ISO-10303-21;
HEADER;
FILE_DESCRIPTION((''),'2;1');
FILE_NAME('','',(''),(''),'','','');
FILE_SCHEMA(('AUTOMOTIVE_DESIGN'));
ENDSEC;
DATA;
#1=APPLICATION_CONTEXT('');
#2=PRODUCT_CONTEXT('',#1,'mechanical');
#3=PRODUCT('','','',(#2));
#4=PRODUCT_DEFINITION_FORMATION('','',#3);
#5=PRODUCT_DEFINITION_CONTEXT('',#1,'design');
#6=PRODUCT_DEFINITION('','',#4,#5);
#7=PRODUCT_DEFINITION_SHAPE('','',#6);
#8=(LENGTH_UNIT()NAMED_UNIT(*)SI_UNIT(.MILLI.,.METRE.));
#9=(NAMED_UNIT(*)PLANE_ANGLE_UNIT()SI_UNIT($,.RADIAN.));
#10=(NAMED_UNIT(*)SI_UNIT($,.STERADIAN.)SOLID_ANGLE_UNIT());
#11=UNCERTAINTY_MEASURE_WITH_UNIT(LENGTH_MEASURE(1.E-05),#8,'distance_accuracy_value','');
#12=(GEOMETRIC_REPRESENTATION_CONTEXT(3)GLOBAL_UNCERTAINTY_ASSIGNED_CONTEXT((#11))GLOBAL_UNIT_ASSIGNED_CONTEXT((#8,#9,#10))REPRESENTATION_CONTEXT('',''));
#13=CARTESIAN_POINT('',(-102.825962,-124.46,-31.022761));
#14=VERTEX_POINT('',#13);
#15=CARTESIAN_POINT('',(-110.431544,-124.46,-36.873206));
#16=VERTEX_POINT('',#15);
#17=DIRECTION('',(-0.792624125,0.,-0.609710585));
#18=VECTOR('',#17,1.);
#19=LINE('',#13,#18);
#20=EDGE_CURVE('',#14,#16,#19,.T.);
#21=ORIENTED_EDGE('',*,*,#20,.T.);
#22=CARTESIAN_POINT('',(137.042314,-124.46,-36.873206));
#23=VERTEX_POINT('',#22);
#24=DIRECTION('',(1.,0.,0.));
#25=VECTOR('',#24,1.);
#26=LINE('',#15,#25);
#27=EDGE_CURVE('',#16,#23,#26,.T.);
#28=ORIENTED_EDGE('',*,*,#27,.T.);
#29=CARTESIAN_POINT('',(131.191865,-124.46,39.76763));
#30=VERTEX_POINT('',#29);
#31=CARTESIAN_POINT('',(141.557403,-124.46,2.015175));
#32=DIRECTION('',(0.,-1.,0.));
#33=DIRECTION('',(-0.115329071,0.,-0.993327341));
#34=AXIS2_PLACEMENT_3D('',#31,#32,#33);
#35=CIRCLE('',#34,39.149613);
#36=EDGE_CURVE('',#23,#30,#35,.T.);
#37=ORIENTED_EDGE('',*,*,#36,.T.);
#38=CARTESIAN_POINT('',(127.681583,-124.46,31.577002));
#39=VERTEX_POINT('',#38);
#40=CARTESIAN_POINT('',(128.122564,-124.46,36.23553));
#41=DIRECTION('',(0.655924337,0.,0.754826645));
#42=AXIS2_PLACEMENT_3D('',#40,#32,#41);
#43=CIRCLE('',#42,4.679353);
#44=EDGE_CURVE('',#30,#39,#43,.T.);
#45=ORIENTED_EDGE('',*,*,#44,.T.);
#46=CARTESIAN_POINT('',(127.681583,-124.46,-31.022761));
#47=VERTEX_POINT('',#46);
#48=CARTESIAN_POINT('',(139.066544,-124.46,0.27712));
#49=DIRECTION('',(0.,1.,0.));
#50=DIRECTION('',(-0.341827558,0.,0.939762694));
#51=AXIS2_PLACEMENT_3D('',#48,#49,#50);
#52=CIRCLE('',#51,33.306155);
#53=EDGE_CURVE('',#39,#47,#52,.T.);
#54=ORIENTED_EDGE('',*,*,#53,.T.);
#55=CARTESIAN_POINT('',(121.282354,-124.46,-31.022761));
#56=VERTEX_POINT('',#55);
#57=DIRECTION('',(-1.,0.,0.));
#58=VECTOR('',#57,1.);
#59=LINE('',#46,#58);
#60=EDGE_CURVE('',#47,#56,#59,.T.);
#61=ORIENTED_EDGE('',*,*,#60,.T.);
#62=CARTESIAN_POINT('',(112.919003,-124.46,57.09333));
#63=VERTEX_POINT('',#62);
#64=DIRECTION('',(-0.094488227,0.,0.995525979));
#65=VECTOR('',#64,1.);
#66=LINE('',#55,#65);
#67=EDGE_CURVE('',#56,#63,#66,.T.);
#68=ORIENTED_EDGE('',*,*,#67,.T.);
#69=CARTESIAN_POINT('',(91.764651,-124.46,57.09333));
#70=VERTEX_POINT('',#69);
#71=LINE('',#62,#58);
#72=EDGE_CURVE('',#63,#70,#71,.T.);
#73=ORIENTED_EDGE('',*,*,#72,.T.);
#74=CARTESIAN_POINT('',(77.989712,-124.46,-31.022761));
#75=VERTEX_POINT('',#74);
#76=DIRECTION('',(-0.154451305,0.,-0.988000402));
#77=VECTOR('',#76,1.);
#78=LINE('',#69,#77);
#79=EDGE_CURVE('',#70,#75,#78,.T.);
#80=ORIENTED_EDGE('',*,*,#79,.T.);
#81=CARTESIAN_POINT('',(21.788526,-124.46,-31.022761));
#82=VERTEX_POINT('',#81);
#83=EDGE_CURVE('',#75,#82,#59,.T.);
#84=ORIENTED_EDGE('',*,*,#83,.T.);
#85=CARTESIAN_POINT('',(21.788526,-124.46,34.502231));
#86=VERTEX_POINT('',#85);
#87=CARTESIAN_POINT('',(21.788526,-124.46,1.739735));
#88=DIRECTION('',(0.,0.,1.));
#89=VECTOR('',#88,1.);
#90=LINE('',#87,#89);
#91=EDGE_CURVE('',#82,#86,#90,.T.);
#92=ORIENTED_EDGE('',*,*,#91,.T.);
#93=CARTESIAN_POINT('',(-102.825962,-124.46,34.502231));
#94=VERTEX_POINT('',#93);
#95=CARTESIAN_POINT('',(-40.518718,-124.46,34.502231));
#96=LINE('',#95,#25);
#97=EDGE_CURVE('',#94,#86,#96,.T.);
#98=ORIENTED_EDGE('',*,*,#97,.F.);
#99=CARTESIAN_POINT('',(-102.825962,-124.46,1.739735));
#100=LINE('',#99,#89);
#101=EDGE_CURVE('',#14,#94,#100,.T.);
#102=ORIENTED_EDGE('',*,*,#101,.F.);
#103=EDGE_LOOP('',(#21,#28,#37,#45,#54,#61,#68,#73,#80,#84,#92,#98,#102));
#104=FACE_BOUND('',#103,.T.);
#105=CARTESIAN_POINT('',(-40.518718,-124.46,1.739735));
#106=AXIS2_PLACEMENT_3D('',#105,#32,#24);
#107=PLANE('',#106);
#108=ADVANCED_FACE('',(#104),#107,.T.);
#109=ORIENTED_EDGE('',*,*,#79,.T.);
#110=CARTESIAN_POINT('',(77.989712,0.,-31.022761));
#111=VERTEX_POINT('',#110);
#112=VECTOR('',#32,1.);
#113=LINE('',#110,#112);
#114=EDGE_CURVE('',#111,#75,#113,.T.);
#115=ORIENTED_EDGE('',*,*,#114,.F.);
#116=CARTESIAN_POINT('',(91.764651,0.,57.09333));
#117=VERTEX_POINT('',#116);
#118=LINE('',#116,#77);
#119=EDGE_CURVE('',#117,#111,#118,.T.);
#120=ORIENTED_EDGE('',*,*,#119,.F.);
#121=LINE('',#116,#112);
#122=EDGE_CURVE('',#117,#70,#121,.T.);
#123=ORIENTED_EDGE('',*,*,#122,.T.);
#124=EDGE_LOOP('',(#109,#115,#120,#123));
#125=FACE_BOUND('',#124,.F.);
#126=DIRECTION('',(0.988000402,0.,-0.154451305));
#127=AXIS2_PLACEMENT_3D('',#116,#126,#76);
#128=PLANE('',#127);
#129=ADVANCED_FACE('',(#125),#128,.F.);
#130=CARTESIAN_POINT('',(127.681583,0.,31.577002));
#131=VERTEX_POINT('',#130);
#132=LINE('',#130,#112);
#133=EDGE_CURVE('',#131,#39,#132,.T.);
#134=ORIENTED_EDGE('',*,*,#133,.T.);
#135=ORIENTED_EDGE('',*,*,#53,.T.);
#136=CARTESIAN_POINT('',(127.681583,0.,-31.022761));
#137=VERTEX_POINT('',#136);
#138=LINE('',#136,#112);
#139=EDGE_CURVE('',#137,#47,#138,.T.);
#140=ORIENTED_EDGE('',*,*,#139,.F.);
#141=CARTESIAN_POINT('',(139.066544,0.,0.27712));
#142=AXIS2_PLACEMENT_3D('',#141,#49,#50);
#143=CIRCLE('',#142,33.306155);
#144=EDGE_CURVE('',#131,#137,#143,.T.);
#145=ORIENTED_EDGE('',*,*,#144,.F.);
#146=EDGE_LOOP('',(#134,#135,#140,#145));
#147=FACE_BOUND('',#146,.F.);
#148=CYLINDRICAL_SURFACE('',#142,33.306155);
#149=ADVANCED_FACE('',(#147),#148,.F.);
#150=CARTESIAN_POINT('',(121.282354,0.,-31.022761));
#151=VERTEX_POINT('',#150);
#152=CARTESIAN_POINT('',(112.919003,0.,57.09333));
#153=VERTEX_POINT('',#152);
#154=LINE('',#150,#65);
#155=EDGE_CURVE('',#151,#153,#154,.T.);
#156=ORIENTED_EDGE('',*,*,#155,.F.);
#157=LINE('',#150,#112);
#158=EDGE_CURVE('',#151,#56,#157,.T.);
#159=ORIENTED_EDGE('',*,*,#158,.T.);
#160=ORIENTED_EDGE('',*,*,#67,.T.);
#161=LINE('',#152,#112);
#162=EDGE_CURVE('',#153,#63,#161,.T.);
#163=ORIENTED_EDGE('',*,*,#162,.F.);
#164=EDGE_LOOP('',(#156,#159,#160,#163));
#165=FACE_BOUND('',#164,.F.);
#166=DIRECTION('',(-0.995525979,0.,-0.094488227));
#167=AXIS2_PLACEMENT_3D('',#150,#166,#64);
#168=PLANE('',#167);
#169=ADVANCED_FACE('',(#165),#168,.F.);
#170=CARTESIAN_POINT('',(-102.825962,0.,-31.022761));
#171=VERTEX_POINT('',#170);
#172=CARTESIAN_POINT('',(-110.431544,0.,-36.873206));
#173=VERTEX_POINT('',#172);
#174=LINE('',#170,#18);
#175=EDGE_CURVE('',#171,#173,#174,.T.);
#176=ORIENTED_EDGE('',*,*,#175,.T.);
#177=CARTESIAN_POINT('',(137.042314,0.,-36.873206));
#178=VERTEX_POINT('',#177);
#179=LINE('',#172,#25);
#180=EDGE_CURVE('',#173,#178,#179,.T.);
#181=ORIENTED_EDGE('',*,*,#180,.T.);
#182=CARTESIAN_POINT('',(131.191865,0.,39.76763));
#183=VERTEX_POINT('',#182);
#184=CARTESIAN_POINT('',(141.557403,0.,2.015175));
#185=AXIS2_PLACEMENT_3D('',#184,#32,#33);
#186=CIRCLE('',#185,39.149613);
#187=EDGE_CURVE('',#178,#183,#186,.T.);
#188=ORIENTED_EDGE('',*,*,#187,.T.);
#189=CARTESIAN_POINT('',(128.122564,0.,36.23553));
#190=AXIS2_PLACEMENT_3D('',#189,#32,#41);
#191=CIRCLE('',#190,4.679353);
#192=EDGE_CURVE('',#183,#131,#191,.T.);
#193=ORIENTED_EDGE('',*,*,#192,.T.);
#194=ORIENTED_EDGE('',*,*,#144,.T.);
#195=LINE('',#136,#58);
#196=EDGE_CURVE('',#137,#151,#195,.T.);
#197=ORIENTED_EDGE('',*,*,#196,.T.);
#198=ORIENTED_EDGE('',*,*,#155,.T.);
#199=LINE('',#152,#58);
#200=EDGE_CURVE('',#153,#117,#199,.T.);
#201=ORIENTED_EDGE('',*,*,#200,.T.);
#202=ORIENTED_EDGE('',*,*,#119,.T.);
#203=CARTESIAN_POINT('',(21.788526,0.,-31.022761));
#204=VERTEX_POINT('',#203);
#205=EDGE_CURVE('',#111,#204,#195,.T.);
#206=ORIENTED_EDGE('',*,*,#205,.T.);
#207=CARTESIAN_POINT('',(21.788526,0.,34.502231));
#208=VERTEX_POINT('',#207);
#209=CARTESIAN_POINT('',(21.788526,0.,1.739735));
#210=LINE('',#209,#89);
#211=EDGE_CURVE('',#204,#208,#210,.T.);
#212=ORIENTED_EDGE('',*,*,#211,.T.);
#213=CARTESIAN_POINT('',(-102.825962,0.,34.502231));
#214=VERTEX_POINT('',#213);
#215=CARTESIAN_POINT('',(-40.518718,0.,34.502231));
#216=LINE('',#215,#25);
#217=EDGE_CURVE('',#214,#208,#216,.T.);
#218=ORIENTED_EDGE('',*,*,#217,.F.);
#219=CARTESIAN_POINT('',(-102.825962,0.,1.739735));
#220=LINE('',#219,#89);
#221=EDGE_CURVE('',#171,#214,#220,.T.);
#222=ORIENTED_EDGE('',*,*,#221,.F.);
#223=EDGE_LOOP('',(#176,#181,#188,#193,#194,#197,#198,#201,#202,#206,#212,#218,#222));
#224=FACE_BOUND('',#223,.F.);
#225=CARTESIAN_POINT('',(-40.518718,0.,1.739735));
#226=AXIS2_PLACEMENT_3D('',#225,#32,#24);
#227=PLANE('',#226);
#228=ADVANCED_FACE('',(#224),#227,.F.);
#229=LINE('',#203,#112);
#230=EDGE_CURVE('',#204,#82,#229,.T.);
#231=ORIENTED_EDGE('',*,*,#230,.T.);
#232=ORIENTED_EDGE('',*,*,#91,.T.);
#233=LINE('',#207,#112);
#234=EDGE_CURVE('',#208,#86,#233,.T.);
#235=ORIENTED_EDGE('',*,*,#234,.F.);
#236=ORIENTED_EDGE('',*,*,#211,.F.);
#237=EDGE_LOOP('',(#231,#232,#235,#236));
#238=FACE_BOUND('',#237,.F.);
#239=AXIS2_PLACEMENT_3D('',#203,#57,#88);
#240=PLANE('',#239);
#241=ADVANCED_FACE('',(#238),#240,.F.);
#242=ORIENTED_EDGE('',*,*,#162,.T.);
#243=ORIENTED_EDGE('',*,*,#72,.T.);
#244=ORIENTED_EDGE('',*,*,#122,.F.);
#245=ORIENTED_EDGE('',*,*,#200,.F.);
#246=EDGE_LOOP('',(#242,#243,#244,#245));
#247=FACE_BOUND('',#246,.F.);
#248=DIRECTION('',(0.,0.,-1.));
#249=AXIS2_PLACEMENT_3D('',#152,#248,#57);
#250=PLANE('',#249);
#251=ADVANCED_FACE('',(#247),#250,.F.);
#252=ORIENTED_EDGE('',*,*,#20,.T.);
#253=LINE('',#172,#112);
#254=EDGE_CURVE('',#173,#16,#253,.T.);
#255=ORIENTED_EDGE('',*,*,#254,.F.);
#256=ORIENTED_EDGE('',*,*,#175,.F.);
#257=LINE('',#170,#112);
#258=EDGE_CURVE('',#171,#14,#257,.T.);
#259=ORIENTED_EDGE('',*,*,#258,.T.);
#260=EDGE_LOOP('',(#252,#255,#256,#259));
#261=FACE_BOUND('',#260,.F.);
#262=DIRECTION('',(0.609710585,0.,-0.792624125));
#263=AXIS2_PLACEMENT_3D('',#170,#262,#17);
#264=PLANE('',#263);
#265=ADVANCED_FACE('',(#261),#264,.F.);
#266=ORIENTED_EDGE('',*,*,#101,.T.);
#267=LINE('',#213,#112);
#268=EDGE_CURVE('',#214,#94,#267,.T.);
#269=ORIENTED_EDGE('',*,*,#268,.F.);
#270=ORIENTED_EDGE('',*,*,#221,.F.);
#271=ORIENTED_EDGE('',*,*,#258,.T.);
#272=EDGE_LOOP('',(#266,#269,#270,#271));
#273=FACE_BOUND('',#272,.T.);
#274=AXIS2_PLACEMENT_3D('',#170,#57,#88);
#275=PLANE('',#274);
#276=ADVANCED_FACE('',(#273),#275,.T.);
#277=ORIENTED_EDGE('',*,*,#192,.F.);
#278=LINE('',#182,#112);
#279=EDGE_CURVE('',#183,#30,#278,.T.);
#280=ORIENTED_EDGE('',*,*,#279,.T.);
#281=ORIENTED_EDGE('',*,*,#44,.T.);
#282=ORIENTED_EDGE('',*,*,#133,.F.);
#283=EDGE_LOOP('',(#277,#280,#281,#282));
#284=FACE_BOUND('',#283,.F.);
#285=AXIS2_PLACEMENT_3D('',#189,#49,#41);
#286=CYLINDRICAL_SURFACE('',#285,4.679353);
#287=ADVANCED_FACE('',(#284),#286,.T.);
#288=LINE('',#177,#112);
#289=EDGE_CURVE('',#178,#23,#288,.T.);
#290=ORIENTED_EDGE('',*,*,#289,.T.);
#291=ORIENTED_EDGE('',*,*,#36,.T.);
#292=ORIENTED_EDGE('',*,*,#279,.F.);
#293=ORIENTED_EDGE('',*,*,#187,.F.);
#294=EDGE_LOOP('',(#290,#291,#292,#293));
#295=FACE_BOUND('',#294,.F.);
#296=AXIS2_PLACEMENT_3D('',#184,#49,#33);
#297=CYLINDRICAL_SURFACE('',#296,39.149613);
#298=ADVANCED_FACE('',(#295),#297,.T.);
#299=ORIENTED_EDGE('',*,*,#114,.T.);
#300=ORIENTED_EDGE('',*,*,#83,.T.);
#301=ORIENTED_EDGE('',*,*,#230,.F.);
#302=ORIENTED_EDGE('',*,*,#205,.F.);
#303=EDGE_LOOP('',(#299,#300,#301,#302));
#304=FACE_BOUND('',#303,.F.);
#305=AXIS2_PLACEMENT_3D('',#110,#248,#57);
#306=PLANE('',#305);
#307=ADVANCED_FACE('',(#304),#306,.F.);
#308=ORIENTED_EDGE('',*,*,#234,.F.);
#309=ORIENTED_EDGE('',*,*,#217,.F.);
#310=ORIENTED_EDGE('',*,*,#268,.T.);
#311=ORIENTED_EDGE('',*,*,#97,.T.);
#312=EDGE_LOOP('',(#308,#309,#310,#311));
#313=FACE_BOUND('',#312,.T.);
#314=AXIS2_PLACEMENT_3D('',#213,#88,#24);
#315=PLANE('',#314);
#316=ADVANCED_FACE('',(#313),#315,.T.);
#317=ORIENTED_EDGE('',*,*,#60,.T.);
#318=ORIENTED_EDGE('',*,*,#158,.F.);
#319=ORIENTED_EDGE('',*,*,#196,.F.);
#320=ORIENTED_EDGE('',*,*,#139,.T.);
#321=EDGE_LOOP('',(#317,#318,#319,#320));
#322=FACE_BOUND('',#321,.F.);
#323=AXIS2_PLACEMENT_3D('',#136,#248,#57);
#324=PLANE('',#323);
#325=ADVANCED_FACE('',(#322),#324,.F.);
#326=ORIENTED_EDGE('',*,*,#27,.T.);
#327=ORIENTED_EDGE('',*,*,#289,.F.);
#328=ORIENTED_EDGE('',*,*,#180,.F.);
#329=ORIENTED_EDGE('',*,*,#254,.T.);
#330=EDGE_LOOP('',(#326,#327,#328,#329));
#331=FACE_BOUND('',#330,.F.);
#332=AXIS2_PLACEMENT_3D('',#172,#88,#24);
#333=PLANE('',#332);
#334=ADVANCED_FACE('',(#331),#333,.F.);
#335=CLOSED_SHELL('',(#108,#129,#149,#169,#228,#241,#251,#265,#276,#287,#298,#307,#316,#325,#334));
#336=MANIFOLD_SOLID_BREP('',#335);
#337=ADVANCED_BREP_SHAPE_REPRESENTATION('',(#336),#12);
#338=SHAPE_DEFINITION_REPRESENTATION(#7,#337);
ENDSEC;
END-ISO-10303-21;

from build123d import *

# Parameters (mm, degrees)
F0_W     = 124.614488
F0_H     = 65.524992
F1_DEPTH = 124.46


with BuildPart() as f1:
    # F0 (on Front) → F1 (new body)
    with BuildSketch(Plane.XZ):
        with Locations((-40.518718, 1.739735)):
            Rectangle(F0_W, F0_H)
        Polygon((21.788526, -31.022761), (-102.825962, -31.022761), (-110.431544, -36.873206), (137.042314, -36.873206), (127.681583, -31.022761), (121.282354, -31.022761), (77.989712, -31.022761), align=None)
        Polygon((91.764651, 57.09333), (77.989712, -31.022761), (121.282354, -31.022761), (112.919003, 57.09333), align=None)
        with BuildLine():
            Line((127.681583, -31.022761), (137.042314, -36.873206))
            ThreePointArc((137.042314, -36.873206), (180.593446, 4.995028), (131.191865, 39.76763))
            ThreePointArc((131.191865, 39.76763), (123.821562, 38.078823), (127.681583, 31.577002))
            ThreePointArc((127.681583, 31.577002), (172.372699, 0.277121), (127.681583, -31.022761))
        make_face()
    extrude(amount=F1_DEPTH)


solid = f1.part
